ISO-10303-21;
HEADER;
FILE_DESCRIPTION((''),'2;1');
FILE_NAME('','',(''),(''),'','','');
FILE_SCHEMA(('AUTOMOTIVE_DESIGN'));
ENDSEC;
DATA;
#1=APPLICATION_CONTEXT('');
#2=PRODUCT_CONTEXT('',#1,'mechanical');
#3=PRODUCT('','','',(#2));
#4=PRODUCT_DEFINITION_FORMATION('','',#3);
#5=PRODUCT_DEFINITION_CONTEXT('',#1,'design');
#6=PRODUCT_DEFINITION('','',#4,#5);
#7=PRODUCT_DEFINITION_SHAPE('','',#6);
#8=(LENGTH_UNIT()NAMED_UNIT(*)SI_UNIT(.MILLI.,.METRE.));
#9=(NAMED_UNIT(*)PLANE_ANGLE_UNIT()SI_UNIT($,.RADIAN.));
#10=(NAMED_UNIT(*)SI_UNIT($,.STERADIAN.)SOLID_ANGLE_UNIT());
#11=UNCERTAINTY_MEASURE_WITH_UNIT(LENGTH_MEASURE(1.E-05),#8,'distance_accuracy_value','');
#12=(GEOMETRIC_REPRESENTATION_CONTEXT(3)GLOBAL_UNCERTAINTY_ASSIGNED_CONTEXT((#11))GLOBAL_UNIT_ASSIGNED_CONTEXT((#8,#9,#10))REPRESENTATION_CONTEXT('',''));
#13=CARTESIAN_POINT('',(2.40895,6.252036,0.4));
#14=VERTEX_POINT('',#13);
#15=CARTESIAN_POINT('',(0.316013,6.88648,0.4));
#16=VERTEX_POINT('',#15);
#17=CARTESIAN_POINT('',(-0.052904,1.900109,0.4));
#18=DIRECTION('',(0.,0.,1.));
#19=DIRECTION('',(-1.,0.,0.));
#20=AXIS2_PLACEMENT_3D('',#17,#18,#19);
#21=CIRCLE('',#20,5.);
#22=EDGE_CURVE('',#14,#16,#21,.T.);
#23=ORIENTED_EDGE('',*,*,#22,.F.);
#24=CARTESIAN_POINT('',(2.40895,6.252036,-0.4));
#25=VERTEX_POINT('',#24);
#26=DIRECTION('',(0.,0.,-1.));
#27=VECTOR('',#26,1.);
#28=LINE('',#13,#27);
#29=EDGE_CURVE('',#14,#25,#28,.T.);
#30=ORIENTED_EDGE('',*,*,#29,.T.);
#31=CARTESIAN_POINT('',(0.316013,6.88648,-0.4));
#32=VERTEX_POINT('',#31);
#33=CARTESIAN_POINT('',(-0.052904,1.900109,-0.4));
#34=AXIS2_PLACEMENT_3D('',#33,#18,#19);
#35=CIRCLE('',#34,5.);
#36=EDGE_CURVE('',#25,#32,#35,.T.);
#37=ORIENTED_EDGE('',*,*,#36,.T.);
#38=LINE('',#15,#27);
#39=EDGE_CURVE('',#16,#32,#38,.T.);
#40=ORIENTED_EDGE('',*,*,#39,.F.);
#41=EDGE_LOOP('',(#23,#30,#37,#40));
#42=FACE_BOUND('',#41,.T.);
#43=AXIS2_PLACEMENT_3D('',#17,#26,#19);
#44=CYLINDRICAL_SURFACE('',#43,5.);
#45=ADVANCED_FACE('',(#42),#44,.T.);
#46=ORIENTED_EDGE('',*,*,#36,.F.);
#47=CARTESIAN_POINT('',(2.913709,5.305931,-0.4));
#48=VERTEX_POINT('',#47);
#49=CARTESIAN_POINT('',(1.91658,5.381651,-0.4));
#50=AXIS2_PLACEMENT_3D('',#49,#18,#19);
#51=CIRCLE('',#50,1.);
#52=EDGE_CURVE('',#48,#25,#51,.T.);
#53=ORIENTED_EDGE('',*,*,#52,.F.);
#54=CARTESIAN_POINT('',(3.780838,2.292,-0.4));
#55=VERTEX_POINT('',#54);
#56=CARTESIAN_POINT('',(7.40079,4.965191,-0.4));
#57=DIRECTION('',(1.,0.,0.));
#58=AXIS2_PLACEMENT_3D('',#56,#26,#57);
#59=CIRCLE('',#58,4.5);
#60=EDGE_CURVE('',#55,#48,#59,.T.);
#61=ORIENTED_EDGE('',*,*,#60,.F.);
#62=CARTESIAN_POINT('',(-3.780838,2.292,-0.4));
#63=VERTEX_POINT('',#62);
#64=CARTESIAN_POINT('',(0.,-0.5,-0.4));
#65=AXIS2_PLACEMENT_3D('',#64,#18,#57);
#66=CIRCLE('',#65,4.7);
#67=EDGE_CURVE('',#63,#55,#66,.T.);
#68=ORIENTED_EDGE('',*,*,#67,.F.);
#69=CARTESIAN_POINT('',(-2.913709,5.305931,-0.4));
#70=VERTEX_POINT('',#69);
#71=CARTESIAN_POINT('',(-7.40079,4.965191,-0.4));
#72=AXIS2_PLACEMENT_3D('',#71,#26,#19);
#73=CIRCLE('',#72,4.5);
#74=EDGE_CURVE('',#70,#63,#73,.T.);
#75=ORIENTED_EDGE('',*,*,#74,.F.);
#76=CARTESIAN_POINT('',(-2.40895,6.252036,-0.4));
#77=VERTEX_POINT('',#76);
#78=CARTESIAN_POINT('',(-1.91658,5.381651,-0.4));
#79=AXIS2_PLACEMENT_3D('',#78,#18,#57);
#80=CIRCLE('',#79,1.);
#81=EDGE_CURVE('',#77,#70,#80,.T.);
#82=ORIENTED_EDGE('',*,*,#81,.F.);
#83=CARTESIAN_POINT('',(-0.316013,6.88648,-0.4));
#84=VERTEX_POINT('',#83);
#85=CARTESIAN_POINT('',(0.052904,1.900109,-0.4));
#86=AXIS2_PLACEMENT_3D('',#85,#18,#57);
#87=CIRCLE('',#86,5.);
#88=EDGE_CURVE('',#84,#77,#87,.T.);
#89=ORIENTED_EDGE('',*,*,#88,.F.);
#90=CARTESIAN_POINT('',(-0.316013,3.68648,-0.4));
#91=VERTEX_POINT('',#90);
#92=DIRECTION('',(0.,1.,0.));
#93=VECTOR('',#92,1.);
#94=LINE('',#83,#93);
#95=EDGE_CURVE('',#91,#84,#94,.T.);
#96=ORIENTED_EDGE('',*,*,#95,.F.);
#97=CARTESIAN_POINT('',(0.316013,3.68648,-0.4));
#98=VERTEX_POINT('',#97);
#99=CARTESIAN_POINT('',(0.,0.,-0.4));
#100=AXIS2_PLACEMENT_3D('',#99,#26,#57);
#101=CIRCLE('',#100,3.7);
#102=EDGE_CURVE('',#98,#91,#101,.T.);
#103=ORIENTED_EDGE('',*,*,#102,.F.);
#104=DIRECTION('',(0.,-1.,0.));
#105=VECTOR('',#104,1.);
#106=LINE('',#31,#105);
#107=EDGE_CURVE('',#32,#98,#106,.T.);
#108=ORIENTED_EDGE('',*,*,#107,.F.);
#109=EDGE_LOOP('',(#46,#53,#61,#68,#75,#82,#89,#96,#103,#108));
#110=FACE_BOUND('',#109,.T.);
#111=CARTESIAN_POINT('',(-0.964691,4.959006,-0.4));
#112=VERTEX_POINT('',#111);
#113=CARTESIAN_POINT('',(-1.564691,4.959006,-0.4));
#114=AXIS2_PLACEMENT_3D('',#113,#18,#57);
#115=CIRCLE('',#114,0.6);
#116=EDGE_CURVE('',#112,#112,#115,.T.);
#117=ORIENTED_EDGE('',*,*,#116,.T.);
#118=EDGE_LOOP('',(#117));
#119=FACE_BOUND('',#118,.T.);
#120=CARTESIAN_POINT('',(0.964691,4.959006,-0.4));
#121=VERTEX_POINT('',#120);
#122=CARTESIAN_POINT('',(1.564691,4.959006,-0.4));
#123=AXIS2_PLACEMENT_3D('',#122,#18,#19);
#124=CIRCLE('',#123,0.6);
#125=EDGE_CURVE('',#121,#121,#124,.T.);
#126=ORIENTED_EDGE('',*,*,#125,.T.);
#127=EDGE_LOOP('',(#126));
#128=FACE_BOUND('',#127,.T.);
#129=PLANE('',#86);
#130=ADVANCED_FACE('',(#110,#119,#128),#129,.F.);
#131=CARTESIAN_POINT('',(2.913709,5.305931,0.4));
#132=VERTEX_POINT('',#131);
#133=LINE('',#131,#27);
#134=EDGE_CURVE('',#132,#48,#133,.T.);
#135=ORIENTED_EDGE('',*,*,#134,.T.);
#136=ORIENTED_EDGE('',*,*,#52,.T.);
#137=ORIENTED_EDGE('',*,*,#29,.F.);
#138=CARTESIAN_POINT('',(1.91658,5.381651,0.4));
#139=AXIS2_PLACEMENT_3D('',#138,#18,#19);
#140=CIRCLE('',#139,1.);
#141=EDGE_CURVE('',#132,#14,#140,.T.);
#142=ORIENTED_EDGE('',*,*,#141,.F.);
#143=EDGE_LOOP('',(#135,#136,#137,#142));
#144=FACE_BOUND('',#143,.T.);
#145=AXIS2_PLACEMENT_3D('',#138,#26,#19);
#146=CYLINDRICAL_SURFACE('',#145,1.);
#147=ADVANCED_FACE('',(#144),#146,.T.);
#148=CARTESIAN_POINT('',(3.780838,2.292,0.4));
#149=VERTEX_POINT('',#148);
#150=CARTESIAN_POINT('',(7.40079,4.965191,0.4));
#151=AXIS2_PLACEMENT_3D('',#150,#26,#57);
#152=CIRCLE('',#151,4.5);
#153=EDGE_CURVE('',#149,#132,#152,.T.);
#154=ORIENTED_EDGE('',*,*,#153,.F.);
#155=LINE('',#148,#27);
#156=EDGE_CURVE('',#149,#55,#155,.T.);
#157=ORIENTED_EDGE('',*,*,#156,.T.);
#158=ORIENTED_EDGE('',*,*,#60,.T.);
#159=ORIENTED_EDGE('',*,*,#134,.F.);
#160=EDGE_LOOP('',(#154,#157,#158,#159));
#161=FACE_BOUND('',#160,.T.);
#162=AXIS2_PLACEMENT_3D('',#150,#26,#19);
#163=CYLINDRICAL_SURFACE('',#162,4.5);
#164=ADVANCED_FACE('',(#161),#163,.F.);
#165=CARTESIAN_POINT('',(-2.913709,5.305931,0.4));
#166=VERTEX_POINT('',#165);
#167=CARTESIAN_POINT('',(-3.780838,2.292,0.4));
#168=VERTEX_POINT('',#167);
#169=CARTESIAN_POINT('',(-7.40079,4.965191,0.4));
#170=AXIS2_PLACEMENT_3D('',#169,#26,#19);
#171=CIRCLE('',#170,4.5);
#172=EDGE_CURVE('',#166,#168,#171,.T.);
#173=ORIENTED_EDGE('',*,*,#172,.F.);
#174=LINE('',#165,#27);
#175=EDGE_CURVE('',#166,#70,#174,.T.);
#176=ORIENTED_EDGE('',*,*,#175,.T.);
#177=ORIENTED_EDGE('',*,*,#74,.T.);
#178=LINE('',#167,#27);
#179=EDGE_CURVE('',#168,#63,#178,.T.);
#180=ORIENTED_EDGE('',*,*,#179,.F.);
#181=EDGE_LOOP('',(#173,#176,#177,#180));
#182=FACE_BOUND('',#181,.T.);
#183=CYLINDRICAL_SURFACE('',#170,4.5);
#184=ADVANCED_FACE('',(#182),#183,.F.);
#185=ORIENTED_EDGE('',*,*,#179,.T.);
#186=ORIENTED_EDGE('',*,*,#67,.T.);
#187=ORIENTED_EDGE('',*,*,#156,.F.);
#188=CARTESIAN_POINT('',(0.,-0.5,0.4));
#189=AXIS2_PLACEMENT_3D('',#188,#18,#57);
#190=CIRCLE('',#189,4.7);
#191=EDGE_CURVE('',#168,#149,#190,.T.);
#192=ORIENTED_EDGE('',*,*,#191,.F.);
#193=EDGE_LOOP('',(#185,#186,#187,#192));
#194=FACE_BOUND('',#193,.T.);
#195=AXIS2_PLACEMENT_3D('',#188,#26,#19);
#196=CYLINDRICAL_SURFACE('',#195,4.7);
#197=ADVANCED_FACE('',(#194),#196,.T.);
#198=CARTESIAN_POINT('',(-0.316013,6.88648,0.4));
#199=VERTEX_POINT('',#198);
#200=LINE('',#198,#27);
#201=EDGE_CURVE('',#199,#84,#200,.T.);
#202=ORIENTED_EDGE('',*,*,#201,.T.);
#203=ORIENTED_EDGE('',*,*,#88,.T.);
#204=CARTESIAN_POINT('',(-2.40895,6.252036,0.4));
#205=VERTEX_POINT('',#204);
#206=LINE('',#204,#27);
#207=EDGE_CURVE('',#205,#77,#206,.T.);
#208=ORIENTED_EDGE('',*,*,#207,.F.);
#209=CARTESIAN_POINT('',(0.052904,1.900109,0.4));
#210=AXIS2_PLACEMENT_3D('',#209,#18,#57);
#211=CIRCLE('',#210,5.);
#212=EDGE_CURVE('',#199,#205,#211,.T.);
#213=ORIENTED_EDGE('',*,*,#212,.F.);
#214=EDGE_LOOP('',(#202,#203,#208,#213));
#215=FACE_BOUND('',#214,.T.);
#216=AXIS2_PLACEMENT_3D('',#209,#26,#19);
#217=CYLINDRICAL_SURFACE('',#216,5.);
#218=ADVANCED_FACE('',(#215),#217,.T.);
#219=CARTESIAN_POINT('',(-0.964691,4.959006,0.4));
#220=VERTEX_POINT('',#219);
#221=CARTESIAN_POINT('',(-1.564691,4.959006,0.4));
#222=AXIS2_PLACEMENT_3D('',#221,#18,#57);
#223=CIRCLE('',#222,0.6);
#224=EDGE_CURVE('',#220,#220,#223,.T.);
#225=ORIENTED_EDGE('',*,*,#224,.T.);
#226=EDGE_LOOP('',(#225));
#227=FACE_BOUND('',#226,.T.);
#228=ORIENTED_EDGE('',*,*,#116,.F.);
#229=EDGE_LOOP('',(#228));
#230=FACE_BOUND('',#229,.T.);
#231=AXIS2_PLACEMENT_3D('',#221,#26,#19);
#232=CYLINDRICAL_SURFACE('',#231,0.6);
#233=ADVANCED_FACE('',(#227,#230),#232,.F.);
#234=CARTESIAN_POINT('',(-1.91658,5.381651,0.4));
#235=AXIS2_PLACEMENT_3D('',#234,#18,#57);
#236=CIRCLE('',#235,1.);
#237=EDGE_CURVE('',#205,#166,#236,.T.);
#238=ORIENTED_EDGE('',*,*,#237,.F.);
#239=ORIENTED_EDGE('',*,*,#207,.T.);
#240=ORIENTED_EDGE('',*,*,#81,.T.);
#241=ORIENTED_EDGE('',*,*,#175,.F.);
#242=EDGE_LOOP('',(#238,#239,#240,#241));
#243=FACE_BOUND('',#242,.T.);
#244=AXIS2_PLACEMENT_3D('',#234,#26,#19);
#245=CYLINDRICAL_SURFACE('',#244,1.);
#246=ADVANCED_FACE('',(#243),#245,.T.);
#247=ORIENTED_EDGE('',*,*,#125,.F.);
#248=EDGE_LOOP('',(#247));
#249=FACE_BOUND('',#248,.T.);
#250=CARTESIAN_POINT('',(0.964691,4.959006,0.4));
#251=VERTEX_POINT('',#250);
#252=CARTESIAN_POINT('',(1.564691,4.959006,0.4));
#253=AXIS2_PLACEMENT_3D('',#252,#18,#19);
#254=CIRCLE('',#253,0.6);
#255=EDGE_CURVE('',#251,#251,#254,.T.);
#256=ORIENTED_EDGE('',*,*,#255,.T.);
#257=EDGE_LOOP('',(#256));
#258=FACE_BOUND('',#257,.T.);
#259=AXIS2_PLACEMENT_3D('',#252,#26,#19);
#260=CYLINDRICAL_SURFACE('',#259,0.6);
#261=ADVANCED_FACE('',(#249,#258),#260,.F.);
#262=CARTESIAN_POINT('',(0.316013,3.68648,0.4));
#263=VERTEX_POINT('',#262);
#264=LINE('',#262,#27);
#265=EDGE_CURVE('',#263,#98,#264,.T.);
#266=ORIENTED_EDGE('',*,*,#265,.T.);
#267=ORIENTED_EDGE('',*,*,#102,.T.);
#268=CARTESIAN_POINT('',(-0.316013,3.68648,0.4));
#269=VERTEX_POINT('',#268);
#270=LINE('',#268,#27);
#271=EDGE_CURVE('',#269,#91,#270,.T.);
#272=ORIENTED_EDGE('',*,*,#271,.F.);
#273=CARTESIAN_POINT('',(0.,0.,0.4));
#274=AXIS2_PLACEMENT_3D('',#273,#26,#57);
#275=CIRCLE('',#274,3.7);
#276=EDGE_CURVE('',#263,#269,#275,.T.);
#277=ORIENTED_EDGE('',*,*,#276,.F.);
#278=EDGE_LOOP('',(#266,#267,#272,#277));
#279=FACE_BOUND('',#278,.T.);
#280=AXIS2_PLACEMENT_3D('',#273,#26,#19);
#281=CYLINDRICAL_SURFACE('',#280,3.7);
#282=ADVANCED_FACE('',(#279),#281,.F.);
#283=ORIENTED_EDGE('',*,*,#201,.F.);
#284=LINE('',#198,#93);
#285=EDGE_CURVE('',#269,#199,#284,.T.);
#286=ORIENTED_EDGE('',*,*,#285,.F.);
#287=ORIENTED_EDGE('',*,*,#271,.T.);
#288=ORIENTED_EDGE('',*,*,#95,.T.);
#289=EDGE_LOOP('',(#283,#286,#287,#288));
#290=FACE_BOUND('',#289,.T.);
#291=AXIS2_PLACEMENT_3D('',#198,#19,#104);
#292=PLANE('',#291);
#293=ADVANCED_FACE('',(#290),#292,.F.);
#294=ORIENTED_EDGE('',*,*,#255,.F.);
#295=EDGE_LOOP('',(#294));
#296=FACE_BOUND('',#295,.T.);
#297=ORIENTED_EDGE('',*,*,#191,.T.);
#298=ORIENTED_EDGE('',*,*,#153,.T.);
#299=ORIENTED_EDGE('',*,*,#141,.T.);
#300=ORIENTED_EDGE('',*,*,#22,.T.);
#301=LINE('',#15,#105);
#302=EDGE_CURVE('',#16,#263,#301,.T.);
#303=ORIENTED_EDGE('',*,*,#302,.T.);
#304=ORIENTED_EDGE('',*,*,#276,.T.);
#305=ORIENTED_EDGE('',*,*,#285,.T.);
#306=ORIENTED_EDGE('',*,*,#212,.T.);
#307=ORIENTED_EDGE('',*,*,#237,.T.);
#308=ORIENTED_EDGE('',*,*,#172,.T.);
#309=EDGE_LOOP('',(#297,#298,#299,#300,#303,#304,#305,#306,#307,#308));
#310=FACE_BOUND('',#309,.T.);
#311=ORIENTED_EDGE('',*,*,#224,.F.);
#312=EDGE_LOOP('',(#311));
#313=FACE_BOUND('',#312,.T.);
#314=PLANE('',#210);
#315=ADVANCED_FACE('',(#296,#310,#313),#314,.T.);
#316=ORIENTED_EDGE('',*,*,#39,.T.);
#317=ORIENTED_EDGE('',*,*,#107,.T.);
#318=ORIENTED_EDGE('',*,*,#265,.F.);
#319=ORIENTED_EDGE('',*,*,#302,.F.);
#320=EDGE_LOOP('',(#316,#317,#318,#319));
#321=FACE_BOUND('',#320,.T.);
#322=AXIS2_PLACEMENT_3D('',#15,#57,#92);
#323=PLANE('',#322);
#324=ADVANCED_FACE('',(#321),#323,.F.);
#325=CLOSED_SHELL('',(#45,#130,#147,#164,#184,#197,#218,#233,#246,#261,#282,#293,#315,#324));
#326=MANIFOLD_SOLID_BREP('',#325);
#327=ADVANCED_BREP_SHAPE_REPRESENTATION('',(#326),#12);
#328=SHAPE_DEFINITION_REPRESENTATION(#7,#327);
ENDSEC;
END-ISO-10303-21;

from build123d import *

# Parameters (mm, degrees)
SKETCH1_R           = 0.6
BOSS_EXTRUDE1_DEPTH = 0.4


with BuildPart() as part:
    # Sketch1 → Boss-Extrude1 (new, symmetric)
    with BuildSketch(Plane.XY):
        with BuildLine():
            Line((-0.316012901, 6.886480143), (-0.316012901, 3.686480143))
            ThreePointArc((-0.316012901, 3.686480143), (0, -3.7), (0.316012901, 3.686480143))
            Line((0.316012901, 3.686480143), (0.316012901, 6.886480143))
            ThreePointArc((0.316012901, 6.886480143), (1.397594622, 6.685090886), (2.408950376, 6.252036397))
            ThreePointArc((2.408950376, 6.252036397), (2.798867192, 5.852361563), (2.913708704, 5.305930851))
            ThreePointArc((2.913708704, 5.305930851), (3.07621584, 3.720980048), (3.780838239, 2.29199968))
            ThreePointArc((3.780838239, 2.29199968), (0, -5.2), (-3.780838239, 2.29199968))
            ThreePointArc((-3.780838239, 2.29199968), (-3.07621584, 3.720980048), (-2.913708704, 5.305930851))
            ThreePointArc((-2.913708704, 5.305930851), (-2.798867192, 5.852361563), (-2.408950376, 6.252036397))
            ThreePointArc((-2.408950376, 6.252036397), (-1.397594622, 6.685090886), (-0.316012901, 6.886480143))
        make_face()
        with Locations((-1.564690763, 4.959006233)):
            Circle(SKETCH1_R, mode=Mode.SUBTRACT)
        with Locations(Location((1.564690763, 4.959006233, 0), (0, 0, 180))):
            Circle(SKETCH1_R, mode=Mode.SUBTRACT)
    extrude(amount=BOSS_EXTRUDE1_DEPTH, both=True)


solid = part.part
